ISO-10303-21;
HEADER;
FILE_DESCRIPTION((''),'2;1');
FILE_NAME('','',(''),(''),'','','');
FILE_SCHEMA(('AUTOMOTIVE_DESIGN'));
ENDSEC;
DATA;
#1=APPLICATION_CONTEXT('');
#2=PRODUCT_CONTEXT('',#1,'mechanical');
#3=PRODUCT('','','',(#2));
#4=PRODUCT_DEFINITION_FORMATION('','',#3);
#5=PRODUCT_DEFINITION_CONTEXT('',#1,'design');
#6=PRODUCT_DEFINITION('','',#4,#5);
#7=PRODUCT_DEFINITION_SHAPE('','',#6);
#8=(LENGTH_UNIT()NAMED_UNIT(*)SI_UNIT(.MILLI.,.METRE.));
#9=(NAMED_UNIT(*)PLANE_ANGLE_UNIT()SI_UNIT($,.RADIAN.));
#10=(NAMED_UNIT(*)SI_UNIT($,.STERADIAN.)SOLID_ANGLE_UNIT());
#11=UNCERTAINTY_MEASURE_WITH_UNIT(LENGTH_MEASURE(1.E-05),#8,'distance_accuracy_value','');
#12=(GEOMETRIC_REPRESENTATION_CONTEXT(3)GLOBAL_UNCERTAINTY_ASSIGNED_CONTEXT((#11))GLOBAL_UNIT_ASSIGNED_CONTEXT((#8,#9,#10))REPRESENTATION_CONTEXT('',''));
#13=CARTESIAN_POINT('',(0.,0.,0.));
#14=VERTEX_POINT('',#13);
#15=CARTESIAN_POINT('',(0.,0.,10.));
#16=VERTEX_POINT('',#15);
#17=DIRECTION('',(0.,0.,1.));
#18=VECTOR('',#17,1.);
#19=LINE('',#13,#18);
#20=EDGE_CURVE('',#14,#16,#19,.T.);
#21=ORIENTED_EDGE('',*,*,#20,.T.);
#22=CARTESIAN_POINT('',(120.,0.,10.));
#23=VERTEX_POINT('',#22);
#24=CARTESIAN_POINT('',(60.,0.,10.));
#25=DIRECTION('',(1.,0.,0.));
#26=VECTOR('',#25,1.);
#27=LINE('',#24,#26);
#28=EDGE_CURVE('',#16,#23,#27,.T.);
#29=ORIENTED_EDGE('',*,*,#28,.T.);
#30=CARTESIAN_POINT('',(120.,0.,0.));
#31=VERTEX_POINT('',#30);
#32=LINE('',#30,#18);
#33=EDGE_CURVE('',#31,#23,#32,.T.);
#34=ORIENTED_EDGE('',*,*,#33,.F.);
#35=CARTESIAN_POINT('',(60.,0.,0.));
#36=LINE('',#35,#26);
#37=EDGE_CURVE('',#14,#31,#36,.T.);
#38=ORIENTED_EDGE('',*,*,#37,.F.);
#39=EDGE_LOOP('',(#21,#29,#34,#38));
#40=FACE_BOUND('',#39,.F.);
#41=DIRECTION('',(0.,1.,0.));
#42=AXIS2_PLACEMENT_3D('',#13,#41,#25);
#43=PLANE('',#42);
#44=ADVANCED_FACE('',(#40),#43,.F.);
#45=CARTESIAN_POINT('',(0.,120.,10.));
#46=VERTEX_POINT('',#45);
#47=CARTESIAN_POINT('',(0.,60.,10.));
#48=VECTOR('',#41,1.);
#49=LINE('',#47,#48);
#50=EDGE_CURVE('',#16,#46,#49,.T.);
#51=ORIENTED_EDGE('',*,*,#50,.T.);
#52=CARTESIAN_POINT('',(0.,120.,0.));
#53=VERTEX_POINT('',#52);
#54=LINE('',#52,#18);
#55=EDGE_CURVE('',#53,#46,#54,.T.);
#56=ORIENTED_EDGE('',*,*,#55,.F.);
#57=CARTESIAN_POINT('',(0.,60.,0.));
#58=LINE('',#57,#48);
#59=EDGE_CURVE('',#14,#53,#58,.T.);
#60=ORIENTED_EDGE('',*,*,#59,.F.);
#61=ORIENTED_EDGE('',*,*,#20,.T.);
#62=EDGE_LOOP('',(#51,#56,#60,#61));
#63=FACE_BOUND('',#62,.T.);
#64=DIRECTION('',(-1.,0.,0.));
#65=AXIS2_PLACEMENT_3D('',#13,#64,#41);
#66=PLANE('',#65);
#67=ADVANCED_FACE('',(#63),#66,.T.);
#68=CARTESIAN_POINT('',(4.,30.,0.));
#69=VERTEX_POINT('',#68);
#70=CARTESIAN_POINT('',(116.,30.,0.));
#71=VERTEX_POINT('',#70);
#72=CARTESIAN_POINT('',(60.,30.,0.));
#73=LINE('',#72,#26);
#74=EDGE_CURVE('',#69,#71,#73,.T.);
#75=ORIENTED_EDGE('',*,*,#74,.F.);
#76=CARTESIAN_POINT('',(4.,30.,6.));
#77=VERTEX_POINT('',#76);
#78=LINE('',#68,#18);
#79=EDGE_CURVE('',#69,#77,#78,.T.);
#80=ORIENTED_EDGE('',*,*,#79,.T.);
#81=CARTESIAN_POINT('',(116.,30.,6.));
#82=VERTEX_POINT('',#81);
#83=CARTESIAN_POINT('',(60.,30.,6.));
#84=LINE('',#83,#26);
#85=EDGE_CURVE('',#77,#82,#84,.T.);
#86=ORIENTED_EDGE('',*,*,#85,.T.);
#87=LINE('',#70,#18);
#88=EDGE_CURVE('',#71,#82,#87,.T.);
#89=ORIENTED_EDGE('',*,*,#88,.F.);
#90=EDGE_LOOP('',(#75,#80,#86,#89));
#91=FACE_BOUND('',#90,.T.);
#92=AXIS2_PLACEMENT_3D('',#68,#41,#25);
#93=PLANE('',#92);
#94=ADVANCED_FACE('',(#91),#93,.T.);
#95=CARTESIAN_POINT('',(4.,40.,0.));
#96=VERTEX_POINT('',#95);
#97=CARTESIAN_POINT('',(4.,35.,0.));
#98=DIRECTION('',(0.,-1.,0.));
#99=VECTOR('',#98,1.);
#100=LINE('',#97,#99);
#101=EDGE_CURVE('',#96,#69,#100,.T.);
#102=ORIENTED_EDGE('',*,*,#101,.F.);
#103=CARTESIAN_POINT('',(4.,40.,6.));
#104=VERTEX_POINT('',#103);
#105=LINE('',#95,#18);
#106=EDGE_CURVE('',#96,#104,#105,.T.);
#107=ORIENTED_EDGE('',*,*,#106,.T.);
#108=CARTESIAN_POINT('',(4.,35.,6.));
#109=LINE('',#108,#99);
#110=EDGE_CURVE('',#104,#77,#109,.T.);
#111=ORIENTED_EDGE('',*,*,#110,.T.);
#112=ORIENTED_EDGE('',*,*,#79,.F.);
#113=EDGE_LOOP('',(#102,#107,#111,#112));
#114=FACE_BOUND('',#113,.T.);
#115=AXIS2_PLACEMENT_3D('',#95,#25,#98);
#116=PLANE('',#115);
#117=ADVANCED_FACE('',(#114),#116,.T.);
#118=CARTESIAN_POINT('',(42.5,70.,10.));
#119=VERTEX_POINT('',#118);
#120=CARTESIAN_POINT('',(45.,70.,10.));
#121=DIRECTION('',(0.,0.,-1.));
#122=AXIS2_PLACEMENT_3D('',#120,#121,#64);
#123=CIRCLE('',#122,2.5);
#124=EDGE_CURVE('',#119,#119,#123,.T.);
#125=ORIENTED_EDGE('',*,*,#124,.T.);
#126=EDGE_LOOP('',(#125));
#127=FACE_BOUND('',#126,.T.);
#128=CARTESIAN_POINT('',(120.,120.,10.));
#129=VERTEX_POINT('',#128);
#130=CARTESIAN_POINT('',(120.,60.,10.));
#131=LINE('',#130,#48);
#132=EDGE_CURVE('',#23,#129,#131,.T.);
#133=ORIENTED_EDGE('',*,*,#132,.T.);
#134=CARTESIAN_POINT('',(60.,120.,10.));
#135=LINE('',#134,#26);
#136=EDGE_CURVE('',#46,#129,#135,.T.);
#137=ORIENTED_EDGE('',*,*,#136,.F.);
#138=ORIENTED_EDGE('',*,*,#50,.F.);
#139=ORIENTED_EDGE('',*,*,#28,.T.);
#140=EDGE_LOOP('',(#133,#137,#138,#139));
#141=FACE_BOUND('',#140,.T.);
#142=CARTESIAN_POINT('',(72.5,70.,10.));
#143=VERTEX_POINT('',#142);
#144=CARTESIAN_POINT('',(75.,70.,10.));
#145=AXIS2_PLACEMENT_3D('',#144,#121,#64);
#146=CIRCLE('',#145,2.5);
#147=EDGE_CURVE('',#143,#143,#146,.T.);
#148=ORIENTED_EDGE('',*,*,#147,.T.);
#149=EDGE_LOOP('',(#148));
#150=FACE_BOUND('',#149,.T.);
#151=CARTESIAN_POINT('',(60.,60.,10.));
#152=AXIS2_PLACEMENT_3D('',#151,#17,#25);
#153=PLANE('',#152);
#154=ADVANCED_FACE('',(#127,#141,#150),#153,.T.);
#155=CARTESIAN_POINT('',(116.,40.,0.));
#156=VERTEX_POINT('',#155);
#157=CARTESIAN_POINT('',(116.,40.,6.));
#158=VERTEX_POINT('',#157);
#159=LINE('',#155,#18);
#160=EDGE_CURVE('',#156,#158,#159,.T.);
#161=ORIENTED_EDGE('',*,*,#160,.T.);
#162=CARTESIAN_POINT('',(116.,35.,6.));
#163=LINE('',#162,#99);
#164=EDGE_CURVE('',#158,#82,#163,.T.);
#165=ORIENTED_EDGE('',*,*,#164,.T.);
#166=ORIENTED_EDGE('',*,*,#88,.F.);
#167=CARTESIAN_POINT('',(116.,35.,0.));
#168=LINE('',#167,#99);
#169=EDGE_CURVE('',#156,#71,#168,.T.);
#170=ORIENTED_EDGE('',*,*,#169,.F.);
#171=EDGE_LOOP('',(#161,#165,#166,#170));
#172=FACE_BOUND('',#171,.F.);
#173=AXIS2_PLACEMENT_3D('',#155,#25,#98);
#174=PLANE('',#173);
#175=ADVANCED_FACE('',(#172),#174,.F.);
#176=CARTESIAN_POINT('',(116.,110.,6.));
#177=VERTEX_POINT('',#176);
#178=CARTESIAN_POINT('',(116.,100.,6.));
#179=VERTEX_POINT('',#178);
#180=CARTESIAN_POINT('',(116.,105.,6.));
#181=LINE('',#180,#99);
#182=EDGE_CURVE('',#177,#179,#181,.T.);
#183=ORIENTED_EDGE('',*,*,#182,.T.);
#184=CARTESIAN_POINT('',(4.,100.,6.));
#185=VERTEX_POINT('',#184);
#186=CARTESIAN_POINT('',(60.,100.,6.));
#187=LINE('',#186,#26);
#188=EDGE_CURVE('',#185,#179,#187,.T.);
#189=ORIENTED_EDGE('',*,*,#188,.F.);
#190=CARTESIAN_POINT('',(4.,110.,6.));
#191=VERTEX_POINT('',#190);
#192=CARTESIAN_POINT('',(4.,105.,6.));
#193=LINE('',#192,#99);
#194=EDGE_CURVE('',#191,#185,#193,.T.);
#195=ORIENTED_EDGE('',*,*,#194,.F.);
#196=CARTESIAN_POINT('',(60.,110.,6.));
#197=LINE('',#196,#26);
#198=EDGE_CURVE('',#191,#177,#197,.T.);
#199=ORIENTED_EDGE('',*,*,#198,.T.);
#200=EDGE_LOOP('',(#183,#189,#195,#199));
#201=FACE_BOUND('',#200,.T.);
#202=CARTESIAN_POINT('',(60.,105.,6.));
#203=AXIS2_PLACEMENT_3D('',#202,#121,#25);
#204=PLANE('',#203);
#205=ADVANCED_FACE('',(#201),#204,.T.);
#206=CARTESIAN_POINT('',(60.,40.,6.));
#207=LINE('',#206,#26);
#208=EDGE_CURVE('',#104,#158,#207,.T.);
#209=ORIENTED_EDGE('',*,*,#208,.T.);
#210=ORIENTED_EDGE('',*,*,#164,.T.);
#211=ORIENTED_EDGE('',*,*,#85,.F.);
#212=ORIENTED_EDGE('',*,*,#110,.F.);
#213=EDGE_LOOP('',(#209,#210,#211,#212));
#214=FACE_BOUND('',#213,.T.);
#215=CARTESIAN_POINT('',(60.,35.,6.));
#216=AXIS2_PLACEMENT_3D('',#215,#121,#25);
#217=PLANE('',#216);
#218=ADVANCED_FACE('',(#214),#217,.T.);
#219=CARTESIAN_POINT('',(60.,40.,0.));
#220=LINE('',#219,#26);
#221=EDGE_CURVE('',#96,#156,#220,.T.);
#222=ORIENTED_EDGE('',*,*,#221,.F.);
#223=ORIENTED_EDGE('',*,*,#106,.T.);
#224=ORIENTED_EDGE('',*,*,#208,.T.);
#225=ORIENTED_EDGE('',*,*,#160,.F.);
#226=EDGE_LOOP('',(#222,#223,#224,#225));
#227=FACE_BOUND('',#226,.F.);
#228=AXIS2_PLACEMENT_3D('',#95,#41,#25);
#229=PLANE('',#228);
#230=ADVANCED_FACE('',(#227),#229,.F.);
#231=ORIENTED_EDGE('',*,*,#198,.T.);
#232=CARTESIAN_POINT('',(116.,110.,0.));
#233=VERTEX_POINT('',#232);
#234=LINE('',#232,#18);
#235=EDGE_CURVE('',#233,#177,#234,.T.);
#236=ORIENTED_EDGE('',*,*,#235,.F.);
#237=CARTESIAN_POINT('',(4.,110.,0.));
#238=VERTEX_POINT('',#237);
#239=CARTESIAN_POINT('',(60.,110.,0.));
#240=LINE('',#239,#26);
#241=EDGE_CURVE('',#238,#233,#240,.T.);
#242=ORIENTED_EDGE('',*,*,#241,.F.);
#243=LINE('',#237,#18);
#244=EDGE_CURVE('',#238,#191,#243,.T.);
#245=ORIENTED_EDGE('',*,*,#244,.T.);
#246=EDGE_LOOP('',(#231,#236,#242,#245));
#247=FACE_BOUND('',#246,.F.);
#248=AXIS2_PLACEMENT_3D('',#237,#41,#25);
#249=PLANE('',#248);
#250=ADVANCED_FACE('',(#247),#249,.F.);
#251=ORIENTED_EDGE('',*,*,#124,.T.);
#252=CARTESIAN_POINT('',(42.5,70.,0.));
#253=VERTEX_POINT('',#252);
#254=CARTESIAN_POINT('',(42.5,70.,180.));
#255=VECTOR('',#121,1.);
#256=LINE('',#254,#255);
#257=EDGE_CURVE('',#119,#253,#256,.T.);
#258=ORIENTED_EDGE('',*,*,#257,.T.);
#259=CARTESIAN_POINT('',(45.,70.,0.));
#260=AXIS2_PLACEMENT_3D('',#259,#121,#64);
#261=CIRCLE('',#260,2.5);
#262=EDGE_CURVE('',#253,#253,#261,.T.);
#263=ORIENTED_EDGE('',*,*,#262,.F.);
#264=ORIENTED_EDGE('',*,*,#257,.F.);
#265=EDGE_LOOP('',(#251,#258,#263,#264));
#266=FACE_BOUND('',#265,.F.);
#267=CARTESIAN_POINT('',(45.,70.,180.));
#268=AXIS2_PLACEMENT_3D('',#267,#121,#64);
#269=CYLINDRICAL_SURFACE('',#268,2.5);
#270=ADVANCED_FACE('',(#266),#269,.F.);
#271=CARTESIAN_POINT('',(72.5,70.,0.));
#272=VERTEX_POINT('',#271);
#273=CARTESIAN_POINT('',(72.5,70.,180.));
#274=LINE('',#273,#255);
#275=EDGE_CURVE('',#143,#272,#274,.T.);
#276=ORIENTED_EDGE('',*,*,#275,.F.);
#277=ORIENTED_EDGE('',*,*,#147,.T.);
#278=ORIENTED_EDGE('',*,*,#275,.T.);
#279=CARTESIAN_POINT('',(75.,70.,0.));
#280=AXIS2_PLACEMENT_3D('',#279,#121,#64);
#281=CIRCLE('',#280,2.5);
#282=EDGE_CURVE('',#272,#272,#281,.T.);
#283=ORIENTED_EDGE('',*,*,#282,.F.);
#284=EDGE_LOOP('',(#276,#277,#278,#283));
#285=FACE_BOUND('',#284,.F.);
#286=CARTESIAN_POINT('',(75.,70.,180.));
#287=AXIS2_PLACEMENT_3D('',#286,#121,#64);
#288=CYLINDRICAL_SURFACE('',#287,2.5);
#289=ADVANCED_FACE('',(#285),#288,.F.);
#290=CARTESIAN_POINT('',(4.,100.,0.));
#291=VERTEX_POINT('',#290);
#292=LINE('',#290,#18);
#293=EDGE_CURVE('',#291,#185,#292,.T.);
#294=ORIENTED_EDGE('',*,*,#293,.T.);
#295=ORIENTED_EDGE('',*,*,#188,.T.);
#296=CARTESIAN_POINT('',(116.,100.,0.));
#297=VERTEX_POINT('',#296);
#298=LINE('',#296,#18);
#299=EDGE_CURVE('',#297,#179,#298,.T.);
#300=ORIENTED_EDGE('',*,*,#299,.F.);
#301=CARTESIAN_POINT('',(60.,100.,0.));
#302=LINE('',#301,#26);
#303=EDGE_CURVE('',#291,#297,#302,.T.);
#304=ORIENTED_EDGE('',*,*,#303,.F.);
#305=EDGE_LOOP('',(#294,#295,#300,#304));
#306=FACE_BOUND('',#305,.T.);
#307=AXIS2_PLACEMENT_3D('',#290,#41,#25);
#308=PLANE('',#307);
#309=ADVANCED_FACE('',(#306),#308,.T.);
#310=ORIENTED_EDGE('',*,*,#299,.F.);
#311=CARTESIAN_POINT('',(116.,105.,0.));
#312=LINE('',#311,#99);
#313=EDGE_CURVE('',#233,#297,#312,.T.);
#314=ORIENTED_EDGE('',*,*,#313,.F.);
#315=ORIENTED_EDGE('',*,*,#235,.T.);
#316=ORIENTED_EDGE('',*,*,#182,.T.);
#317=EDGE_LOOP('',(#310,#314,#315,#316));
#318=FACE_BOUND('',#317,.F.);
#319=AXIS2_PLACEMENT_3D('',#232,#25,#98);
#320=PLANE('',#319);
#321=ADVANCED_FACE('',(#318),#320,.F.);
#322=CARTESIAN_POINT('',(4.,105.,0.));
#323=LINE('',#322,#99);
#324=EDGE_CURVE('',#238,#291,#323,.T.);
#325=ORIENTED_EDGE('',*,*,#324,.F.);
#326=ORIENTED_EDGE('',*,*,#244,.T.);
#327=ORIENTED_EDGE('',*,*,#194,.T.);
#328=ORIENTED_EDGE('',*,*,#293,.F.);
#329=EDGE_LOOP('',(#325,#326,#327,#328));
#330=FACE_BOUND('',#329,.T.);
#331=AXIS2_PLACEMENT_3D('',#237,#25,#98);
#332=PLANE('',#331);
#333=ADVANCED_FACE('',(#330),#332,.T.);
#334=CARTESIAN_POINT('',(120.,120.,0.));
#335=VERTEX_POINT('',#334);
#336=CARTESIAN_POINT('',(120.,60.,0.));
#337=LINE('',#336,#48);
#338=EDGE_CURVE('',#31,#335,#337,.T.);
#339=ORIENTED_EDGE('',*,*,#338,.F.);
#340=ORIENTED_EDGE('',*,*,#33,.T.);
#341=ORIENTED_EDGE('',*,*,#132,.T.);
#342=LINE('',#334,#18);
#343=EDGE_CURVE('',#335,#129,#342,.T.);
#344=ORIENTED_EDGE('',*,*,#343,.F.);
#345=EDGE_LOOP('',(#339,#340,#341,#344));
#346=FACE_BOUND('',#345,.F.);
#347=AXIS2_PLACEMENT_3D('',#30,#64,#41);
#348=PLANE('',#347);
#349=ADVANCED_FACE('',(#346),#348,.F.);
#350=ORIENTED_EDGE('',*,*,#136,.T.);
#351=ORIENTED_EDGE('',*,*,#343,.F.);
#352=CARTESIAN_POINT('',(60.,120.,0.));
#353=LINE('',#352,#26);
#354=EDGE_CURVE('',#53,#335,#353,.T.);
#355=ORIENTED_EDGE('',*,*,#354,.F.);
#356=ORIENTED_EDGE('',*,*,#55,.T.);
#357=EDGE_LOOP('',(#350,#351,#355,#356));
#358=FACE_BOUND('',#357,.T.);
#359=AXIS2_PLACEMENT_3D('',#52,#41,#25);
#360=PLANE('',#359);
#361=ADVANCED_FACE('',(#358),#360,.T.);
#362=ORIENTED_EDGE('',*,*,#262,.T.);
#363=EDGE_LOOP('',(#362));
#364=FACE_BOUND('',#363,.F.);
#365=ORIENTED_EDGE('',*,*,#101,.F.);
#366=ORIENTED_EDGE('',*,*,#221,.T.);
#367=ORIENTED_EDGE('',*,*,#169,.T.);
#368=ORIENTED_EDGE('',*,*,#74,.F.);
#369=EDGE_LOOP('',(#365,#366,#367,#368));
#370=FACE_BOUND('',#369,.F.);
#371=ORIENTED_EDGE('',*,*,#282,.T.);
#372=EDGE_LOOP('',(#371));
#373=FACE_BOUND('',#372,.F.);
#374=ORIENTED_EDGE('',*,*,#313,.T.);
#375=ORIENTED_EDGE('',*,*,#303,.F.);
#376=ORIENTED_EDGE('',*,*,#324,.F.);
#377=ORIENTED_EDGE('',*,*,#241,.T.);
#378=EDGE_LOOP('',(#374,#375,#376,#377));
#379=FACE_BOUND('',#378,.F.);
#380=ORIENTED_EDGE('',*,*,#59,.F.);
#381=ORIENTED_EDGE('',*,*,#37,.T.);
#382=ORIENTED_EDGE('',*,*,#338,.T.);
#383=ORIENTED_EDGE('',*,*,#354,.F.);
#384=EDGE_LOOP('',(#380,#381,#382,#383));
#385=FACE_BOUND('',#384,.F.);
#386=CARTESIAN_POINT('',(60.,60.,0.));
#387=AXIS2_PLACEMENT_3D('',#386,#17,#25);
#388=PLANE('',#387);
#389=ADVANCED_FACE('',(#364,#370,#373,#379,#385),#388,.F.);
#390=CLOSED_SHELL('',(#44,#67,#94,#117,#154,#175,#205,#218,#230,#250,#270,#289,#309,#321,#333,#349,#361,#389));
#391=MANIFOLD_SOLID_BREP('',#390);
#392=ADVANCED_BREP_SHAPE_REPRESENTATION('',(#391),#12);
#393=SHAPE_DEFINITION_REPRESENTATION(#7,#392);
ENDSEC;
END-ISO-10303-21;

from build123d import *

# Parameters (mm, degrees)
F0_W     = 120
F0_H     = 120
F1_DEPTH = 10
F2_W     = 112
F2_H     = 10
F3_DEPTH = 6
F5_D     = 5


with BuildPart() as f1:
    # F0 (on Top) → F1 (new body)
    with BuildSketch(Plane.XY):
        with Locations((60, 60)):
            Rectangle(F0_W, F0_H)
    extrude(amount=F1_DEPTH)

    # F2 (on face) → F3 (cut)
    with BuildSketch(Plane(origin=(0, 0, 0), x_dir=(1, 0, 0), z_dir=(0, 0, -1))):
        with Locations((60, -105)):
            Rectangle(F2_W, F2_H)
        with Locations((60, -35)):
            Rectangle(F2_W, F2_H)
    extrude(amount=-F3_DEPTH, mode=Mode.SUBTRACT)

    # F5 (through all)
    with Locations(Plane.XY.offset(10)):
        with Locations((45, 70), (75, 70)):
            Hole(F5_D / 2)


solid = f1.part
